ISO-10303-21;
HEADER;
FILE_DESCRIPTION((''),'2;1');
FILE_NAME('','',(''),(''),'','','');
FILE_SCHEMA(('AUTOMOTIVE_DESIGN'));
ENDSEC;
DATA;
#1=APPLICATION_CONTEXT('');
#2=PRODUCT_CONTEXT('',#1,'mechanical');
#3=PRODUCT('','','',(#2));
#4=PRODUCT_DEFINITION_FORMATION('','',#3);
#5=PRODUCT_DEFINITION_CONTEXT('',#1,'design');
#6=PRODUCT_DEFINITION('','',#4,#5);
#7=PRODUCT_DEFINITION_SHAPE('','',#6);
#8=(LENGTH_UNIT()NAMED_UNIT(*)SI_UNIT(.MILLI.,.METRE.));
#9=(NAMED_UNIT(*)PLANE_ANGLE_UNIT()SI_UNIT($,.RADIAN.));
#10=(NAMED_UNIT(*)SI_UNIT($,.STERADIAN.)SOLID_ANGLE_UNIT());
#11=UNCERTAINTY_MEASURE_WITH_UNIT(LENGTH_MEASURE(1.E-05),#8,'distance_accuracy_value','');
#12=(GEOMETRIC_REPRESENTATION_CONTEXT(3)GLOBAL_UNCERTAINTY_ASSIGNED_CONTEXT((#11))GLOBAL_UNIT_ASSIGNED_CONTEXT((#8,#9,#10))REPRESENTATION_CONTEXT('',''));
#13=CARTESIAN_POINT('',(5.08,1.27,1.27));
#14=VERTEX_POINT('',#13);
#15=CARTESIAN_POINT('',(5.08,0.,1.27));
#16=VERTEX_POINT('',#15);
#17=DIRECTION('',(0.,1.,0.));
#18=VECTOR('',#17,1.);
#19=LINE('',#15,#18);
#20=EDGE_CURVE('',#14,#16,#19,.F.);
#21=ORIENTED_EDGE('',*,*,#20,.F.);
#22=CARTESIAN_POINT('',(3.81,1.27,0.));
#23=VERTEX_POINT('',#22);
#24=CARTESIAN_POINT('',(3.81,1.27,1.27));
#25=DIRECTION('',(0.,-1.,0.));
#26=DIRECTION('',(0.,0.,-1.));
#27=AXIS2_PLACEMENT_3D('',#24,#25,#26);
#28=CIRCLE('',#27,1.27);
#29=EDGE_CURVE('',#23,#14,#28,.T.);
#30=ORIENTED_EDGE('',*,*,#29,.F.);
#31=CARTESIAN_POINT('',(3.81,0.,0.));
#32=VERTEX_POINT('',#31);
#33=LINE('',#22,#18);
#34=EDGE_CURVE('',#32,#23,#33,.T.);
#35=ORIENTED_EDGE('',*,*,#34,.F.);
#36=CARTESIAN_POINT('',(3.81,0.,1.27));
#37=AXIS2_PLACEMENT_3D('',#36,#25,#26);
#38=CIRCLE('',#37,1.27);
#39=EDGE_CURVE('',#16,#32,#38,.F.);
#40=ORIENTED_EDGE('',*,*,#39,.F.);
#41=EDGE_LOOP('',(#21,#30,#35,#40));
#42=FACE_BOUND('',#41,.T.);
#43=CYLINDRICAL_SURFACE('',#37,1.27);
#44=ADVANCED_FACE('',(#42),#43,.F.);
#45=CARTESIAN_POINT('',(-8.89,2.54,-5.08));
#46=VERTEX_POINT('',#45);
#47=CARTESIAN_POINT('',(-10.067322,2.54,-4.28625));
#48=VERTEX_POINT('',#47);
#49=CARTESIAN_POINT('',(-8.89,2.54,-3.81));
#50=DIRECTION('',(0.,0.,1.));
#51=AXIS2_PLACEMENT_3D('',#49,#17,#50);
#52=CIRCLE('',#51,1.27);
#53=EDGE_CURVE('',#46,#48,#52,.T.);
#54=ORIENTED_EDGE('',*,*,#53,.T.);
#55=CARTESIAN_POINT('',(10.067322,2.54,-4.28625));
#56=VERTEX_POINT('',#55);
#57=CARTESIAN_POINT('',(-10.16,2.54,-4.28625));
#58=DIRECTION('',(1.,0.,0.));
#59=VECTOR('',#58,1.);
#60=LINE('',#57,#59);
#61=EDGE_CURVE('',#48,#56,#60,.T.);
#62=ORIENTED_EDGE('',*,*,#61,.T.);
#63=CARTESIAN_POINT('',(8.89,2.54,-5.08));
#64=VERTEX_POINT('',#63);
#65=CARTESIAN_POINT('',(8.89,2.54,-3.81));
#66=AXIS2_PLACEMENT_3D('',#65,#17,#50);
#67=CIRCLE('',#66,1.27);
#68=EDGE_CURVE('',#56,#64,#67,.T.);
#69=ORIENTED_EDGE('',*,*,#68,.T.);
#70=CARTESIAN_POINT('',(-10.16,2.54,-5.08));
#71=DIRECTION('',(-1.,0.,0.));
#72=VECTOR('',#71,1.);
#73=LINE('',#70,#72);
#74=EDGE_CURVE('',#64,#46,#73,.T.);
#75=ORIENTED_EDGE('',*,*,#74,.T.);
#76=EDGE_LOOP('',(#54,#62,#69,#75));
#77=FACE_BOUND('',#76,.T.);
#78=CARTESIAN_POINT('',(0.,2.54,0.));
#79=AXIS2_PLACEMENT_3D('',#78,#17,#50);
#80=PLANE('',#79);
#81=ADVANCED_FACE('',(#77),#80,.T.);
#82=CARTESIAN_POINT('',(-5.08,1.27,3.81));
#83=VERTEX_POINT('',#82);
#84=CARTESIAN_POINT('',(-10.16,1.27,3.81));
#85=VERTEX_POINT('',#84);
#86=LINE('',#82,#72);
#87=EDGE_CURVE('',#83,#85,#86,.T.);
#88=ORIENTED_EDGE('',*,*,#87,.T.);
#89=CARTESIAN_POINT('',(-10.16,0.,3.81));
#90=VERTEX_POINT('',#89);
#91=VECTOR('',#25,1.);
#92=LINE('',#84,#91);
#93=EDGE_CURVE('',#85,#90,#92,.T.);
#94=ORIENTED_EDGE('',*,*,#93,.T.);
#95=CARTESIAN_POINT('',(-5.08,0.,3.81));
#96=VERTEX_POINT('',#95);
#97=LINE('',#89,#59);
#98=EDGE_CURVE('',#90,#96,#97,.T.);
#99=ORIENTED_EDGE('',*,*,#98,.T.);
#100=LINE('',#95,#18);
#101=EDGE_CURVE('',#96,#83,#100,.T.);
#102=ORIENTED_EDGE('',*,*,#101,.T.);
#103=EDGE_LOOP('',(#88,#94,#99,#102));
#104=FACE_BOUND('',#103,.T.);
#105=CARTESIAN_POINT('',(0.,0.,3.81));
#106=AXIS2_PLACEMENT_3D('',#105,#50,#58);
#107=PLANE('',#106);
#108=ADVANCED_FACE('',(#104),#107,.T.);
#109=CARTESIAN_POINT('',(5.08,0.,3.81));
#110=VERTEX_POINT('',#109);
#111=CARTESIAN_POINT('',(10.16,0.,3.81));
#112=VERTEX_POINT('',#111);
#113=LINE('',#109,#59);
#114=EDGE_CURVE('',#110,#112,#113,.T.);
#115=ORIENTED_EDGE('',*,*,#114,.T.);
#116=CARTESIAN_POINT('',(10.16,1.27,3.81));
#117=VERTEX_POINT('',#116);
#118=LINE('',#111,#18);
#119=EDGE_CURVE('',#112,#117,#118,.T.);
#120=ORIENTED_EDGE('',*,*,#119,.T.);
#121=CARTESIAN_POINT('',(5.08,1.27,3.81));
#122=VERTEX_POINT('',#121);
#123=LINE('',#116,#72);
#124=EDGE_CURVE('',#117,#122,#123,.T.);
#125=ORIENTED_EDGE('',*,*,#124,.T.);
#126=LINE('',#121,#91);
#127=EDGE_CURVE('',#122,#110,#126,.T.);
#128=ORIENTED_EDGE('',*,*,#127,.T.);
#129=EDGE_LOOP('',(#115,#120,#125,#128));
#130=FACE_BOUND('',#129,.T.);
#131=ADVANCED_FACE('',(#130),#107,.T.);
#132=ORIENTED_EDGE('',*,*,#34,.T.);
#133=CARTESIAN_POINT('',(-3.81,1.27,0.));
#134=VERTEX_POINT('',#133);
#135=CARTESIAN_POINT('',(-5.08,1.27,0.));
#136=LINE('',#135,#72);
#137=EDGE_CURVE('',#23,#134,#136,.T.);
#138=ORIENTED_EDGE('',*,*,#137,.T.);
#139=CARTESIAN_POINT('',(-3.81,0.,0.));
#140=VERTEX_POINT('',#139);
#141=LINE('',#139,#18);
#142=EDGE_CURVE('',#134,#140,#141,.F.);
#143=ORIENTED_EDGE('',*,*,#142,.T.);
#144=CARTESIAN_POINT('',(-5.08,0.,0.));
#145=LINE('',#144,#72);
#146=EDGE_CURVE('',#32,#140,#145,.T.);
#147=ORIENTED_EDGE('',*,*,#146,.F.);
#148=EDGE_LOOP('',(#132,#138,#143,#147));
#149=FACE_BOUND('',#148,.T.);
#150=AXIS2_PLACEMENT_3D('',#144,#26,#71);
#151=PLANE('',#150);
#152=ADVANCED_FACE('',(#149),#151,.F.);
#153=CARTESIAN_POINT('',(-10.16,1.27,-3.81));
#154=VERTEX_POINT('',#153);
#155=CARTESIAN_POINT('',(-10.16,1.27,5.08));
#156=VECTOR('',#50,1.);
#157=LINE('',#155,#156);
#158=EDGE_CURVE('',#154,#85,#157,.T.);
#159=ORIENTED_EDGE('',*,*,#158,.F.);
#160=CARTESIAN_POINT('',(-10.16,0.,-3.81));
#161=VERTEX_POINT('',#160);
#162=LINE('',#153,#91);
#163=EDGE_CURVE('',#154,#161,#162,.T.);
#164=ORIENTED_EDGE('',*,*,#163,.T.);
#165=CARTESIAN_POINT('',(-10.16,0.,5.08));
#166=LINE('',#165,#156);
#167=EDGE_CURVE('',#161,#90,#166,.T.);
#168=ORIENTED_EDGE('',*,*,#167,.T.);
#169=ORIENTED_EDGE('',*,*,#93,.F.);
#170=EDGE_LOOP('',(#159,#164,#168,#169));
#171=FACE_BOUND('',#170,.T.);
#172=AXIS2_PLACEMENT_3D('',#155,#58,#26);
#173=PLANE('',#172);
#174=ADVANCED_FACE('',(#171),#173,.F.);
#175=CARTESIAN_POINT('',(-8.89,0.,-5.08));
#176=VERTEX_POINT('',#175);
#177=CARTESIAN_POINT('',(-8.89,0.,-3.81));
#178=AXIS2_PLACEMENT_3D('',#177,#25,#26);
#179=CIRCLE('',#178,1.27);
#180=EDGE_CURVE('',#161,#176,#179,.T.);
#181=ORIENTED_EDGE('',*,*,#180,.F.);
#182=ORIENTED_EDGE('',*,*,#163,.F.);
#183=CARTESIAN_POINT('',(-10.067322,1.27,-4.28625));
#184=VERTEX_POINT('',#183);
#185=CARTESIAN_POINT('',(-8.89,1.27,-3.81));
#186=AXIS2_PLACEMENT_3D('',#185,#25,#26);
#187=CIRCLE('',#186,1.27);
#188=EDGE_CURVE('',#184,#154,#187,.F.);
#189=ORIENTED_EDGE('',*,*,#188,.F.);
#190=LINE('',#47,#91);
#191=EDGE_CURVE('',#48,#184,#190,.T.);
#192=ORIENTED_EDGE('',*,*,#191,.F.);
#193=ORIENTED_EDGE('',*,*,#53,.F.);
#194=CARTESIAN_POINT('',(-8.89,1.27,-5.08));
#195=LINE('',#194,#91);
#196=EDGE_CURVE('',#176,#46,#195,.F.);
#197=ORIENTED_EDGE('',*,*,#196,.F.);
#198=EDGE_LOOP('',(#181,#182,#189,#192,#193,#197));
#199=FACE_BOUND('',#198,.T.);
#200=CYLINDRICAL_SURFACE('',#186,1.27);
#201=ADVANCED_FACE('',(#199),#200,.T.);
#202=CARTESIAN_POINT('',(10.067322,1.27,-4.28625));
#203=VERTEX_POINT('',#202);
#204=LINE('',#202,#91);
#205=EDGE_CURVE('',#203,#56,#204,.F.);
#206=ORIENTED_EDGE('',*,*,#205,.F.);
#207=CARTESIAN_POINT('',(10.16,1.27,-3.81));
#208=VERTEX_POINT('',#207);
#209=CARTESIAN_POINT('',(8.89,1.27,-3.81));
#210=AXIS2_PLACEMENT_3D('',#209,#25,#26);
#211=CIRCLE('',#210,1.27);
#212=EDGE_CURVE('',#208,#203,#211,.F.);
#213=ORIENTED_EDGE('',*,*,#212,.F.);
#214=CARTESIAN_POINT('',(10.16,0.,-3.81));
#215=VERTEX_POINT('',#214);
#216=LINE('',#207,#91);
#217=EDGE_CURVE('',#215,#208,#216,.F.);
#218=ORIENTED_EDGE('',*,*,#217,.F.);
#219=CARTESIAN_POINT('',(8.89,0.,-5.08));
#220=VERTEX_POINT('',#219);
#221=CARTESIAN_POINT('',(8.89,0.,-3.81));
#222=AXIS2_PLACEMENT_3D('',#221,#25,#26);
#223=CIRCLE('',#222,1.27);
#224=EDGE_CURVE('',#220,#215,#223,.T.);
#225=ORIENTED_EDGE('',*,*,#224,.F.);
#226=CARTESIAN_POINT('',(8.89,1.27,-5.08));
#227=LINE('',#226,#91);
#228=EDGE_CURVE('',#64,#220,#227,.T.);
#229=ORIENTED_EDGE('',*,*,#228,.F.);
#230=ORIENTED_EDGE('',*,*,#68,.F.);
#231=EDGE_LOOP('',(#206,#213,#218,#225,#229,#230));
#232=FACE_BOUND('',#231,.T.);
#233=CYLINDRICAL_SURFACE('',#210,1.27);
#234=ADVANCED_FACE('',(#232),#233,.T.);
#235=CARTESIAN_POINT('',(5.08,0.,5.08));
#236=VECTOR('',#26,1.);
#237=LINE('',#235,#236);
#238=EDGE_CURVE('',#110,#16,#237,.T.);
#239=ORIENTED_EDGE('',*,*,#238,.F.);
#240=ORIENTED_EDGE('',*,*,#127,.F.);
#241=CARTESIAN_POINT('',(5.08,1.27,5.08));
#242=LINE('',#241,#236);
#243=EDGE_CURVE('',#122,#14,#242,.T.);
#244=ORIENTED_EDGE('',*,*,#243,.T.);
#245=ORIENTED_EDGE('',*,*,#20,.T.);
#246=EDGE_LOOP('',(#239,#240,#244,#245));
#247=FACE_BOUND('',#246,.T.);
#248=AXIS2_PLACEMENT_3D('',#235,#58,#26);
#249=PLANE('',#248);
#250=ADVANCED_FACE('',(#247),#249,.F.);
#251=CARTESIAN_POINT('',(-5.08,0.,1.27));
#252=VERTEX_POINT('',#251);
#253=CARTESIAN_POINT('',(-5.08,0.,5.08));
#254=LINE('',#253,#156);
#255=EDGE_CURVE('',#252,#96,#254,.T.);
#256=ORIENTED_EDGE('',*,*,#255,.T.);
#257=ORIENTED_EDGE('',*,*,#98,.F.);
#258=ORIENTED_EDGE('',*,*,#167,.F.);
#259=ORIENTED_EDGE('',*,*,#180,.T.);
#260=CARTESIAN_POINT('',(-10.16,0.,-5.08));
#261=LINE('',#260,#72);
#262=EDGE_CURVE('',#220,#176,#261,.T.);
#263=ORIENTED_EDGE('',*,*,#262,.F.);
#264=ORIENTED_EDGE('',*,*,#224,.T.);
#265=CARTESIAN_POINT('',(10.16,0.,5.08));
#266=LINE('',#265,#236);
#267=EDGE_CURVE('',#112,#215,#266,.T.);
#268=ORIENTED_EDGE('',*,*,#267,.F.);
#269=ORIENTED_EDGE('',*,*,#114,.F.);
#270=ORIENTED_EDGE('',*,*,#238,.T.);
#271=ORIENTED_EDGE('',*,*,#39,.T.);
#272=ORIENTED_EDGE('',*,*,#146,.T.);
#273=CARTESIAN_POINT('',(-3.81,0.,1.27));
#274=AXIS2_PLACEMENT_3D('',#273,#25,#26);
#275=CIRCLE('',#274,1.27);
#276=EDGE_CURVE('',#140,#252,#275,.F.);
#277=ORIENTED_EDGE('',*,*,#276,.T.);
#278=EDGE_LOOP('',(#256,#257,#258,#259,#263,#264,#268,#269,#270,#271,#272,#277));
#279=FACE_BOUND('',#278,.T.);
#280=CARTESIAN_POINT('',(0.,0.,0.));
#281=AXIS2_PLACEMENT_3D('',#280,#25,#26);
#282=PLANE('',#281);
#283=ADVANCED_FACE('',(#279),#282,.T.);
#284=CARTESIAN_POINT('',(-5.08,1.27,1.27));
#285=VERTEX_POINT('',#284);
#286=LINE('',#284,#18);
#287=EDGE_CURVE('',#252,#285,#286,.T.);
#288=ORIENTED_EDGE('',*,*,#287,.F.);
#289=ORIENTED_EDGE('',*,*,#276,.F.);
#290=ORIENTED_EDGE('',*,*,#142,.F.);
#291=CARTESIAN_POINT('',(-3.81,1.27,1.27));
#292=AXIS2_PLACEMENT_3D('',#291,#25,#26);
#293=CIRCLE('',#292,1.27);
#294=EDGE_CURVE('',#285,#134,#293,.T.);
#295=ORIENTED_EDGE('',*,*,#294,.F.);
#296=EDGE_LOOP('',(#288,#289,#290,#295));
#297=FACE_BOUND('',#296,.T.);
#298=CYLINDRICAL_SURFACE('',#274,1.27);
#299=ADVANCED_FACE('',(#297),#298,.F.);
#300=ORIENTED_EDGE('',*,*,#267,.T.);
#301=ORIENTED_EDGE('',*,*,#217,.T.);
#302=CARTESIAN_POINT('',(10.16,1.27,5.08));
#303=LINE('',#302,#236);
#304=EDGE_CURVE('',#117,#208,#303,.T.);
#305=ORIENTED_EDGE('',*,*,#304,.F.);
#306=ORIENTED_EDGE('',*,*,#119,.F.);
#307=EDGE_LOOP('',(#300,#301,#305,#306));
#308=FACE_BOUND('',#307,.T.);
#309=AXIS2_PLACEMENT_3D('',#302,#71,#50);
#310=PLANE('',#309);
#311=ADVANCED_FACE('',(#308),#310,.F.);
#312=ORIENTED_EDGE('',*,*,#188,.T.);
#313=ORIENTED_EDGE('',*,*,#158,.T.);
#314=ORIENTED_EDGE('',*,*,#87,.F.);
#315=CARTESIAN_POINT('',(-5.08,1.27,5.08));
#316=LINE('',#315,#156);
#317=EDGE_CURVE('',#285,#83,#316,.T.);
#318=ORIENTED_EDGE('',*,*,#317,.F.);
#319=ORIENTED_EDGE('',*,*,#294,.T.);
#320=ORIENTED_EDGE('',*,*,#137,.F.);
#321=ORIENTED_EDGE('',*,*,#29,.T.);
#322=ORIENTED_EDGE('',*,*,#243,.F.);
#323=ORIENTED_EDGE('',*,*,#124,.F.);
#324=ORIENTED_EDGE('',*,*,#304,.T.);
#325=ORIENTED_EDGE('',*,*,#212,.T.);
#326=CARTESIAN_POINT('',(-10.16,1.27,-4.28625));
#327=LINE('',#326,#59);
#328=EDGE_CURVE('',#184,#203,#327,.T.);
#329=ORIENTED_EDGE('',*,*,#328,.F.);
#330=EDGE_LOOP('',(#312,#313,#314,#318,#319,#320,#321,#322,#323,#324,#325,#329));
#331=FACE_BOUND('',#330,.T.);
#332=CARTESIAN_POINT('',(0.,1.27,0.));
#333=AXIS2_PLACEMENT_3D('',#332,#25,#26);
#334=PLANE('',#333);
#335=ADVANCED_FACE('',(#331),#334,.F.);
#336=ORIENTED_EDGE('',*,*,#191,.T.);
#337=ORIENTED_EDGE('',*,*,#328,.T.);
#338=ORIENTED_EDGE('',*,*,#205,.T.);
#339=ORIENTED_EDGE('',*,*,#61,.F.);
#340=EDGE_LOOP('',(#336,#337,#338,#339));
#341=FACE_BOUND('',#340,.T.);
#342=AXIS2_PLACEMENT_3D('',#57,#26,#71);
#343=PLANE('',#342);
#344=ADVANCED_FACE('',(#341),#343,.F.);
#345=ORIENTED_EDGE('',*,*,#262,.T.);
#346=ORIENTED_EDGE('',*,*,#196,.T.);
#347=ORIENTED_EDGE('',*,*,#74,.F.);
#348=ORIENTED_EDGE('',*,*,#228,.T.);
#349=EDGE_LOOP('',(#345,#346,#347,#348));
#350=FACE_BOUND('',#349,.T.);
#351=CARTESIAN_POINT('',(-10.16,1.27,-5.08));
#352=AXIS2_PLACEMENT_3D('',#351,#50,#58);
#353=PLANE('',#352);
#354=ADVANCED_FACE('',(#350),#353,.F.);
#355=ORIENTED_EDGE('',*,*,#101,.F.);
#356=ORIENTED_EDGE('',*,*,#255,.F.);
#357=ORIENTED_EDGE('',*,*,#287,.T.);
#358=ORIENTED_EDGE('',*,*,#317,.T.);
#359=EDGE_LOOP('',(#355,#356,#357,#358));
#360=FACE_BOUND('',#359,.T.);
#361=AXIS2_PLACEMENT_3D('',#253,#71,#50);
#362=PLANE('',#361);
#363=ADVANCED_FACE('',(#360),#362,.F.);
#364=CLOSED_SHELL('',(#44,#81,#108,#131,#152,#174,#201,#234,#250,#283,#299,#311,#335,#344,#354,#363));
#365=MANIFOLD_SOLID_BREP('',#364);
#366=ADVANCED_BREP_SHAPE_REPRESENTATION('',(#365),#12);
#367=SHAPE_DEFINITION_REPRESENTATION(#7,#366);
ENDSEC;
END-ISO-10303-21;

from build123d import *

# Parameters (mm, degrees)
SKETCH1_W           = 20.32
SKETCH1_H           = 10.16
BOSS_EXTRUDE1_DEPTH = 1.27
SKETCH2_W           = 10.16
SKETCH2_H           = 5.08
CUT_EXTRUDE1_DEPTH  = 12.43
SKETCH4_W           = 20.32
SKETCH4_H           = 0.79375
BOSS_EXTRUDE2_DEPTH = 1.27
SKETCH5_W           = 5.08
SKETCH5_H           = 1.27
CUT_EXTRUDE2_DEPTH  = 1.27
FILLET1_R           = 1.27


with BuildPart() as part:
    # Sketch1 → Boss-Extrude1 (new body)
    with BuildSketch(Plane(origin=(0, 0, 0), x_dir=(1, 0, 0), z_dir=(0, 1, 0))):
        Rectangle(SKETCH1_W, SKETCH1_H)
    extrude(amount=BOSS_EXTRUDE1_DEPTH)

    # Sketch2 → Cut-Extrude1 (cut, through all)
    with BuildSketch(Plane(origin=(0, 1.27, 0), x_dir=(1, 0, 0), z_dir=(0, 1, 0))):
        with Locations((0, -2.54)):
            Rectangle(SKETCH2_W, SKETCH2_H)
    extrude(amount=-CUT_EXTRUDE1_DEPTH, mode=Mode.SUBTRACT)

    # Sketch4 → Boss-Extrude2 (add)
    with BuildSketch(Plane(origin=(0, 1.27, 0), x_dir=(1, 0, 0), z_dir=(0, 1, 0))):
        with Locations((0, 4.683125)):
            Rectangle(SKETCH4_W, SKETCH4_H)
    extrude(amount=BOSS_EXTRUDE2_DEPTH)

    # Sketch5 → Cut-Extrude2 (cut)
    with BuildSketch(Plane.XY.offset(5.08)):
        with Locations((7.62, 0.635)):
            Rectangle(SKETCH5_W, SKETCH5_H)
        with Locations((-7.62, 0.635)):
            Rectangle(SKETCH5_W, SKETCH5_H)
    extrude(amount=-CUT_EXTRUDE2_DEPTH, mode=Mode.SUBTRACT)

    # Fillet1
    fillet1_edges = [part.edges().sort_by_distance(p)[0] for p in [
        (10.16, 1.27, -5.08),
        (5.08, 0.635, 0),
        (-5.08, 0.635, 0),
        (-10.16, 1.27, -5.08),
    ]]
    fillet(fillet1_edges, radius=FILLET1_R)


solid = part.part
